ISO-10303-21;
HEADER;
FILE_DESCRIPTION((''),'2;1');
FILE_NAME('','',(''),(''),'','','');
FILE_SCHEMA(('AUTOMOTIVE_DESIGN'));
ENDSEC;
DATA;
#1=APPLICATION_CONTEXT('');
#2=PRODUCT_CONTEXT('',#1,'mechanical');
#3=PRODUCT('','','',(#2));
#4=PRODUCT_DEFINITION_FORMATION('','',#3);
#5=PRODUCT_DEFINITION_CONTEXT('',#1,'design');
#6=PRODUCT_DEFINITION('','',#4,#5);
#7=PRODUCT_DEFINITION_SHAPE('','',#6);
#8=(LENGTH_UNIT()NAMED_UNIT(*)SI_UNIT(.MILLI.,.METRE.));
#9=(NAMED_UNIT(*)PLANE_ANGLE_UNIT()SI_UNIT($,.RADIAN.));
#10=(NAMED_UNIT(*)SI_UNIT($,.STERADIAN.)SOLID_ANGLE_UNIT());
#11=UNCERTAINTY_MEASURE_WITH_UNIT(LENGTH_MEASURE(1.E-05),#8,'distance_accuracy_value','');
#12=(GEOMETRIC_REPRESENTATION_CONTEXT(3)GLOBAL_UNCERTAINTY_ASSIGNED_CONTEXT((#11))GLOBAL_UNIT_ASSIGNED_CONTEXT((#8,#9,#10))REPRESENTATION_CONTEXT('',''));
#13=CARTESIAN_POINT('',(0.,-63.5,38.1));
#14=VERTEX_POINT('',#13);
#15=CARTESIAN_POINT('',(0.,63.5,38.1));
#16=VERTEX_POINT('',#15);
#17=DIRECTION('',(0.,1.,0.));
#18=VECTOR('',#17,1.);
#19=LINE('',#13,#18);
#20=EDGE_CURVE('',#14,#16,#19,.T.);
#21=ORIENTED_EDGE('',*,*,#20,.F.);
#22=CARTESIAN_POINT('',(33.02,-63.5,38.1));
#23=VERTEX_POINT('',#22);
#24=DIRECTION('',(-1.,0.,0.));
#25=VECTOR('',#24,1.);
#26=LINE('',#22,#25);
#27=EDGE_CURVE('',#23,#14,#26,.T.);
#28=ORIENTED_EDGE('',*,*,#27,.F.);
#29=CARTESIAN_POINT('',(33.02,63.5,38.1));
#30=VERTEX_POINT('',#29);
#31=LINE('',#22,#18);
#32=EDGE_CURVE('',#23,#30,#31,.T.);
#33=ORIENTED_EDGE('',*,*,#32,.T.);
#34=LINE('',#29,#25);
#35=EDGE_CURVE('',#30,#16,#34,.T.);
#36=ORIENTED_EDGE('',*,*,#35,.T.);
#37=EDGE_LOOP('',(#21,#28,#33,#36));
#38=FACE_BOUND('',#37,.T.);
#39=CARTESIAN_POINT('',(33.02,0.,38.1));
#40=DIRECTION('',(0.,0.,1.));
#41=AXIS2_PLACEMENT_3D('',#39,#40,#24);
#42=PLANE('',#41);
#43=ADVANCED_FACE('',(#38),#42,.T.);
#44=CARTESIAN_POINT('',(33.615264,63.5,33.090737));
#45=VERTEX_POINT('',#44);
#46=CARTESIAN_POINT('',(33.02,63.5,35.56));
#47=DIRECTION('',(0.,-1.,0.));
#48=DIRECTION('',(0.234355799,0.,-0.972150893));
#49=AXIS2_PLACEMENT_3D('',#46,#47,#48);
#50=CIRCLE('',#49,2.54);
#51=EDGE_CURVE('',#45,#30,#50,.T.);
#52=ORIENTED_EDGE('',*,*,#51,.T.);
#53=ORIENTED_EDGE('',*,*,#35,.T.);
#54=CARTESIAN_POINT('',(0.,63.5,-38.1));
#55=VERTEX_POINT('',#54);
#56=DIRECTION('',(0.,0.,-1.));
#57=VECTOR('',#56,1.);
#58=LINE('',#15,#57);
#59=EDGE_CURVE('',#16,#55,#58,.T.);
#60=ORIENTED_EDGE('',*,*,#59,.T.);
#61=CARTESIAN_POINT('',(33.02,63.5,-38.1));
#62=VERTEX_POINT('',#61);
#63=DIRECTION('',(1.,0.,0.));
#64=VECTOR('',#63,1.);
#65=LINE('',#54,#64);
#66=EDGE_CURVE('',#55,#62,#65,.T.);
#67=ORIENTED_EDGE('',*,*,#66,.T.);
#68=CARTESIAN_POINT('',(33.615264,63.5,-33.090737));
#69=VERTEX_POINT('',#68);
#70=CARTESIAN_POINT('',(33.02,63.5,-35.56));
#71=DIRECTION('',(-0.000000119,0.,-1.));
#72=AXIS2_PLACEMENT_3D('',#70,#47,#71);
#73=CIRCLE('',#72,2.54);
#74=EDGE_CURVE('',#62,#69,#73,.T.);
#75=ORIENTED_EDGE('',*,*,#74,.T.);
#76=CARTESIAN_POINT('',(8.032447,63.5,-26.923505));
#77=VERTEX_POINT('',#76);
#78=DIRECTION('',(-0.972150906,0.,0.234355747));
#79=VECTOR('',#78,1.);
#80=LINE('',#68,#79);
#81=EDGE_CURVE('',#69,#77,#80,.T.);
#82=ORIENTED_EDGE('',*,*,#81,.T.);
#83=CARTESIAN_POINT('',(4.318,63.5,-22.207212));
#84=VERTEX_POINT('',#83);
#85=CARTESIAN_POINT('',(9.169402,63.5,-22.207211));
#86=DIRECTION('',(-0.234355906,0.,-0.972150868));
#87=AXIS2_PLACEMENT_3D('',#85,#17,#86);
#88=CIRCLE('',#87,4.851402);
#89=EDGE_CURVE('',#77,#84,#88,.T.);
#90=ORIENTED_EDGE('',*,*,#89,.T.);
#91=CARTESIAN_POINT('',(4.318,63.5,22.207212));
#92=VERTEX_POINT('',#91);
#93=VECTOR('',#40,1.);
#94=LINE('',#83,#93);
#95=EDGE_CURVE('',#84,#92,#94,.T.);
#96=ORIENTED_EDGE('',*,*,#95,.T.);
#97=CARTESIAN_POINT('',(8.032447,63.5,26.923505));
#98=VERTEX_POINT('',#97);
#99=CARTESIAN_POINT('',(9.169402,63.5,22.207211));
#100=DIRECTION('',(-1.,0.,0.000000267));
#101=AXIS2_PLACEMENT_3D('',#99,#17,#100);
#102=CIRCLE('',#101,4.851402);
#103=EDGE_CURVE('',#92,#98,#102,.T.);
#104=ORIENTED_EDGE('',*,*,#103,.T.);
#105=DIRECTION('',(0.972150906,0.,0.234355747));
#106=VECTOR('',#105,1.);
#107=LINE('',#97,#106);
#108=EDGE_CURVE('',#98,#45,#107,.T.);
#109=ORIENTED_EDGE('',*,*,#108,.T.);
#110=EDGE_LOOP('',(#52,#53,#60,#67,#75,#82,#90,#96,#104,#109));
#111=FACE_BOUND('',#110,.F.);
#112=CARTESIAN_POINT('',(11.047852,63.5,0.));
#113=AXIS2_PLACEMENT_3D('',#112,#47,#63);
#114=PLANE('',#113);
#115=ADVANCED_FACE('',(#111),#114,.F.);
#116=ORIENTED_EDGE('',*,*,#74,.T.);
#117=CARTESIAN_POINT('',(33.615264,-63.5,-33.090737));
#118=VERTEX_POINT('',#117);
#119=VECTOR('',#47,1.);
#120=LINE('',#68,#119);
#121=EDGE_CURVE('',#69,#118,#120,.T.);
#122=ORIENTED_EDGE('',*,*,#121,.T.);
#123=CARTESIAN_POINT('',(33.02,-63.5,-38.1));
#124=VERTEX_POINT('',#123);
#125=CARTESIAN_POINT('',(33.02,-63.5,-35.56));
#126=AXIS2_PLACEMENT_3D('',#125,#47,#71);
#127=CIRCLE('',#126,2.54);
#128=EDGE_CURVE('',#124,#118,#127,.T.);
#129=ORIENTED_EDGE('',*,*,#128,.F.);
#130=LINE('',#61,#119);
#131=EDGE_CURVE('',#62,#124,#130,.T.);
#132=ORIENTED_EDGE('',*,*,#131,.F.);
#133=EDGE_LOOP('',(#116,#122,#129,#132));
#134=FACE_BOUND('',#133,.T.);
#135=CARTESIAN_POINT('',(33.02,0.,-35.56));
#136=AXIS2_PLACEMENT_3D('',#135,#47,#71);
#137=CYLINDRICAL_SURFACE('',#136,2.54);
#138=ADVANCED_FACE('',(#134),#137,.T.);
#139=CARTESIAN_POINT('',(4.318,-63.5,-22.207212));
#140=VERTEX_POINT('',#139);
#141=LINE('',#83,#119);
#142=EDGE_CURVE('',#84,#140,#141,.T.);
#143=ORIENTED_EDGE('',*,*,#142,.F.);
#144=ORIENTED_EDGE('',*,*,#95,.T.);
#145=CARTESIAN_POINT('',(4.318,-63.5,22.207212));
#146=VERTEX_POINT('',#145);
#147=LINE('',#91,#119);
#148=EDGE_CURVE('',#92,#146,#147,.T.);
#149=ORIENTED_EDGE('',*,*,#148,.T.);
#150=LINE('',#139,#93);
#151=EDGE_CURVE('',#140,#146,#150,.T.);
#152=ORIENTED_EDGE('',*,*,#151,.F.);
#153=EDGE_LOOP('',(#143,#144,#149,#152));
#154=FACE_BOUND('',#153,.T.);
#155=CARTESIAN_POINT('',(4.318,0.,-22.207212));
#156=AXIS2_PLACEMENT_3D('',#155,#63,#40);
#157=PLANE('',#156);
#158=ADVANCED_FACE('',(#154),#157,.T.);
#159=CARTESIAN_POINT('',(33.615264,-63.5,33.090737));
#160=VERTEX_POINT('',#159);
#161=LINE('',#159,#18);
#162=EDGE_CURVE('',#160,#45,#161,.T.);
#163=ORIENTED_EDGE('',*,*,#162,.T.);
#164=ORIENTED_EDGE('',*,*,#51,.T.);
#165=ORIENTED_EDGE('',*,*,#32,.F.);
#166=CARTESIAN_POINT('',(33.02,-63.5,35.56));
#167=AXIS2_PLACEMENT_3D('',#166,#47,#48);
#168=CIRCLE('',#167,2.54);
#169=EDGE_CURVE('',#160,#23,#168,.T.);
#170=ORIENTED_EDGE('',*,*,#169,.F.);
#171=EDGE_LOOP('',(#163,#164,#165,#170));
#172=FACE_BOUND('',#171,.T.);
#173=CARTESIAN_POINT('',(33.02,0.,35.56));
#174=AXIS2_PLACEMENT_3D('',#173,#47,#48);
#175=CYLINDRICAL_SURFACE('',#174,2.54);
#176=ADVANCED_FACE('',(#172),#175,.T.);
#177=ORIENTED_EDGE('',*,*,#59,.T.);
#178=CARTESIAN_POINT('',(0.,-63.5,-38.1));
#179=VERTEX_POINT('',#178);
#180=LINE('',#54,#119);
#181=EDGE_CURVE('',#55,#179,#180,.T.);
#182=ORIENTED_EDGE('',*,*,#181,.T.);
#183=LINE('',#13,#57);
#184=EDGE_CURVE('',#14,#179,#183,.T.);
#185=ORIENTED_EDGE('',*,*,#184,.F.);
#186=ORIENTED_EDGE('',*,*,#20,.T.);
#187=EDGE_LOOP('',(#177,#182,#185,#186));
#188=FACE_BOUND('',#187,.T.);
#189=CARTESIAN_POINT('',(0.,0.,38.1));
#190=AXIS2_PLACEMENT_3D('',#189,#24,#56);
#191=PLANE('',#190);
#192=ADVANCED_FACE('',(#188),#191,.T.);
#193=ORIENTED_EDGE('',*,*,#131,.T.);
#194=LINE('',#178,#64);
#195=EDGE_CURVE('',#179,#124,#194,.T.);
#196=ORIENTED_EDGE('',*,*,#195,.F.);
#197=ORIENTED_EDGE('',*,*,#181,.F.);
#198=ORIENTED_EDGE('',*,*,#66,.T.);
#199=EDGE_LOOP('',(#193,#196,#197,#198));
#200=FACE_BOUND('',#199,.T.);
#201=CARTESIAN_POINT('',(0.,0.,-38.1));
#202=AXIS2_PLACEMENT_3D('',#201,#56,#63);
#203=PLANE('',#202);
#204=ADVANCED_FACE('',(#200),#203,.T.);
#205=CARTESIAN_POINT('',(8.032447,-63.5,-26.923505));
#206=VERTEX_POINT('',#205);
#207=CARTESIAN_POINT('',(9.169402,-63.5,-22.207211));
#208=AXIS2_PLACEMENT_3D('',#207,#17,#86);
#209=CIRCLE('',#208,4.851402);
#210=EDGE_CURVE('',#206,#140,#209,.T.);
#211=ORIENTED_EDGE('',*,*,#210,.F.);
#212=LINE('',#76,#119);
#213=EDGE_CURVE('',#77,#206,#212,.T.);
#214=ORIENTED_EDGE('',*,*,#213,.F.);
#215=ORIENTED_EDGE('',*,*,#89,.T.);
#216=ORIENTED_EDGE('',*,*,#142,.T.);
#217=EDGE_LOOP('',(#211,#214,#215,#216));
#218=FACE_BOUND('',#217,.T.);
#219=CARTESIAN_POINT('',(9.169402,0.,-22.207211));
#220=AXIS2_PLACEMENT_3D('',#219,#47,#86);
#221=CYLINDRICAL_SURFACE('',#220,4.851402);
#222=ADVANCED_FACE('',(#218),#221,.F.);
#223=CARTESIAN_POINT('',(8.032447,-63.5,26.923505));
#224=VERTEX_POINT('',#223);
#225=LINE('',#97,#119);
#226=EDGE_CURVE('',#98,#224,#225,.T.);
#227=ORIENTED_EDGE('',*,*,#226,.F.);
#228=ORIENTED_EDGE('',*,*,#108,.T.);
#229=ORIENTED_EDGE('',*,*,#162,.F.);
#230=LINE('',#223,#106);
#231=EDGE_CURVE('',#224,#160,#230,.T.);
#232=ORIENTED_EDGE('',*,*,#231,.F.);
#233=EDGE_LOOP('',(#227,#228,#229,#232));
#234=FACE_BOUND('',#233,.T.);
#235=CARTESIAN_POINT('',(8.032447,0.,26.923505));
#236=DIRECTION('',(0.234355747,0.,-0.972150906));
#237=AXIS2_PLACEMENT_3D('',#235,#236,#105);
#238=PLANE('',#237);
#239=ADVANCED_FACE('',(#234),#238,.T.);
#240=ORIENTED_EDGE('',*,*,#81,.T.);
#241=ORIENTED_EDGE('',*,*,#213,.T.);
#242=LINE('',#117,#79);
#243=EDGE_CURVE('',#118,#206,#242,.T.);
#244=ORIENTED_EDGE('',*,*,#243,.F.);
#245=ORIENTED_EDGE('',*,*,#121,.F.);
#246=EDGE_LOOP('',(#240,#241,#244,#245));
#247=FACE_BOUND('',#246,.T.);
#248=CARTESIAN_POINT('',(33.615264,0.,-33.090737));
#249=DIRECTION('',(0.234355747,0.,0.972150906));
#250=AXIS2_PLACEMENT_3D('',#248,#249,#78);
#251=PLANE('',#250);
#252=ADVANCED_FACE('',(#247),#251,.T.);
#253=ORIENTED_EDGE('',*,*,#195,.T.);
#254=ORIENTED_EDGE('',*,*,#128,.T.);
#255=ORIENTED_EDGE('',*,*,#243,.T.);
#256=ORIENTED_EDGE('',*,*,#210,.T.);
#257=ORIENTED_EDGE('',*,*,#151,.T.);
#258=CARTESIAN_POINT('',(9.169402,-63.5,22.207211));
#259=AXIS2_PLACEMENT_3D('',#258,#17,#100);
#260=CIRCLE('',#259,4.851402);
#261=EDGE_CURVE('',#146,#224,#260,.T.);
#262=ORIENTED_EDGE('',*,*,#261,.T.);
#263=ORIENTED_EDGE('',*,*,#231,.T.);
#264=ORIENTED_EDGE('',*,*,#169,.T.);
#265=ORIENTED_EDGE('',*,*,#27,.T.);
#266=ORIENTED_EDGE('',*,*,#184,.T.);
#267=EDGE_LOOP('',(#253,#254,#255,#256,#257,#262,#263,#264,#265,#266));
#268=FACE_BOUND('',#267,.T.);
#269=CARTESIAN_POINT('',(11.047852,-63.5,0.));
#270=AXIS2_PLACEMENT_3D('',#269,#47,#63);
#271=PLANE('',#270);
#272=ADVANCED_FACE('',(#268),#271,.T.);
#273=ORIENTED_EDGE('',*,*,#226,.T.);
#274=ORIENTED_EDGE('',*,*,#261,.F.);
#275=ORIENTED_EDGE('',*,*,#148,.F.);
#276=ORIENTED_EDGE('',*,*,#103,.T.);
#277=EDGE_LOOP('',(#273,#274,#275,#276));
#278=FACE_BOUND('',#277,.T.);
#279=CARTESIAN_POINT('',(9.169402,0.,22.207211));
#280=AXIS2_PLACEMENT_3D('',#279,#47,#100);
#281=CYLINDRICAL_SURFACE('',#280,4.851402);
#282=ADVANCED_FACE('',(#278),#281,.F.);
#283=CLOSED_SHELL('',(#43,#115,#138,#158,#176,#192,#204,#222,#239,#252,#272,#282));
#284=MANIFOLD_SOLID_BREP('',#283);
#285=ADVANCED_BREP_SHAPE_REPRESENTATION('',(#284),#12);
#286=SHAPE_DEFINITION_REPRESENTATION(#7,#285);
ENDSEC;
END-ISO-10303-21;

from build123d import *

# Parameters (mm, degrees)
F1_DEPTH = 63.5


with BuildPart() as f1:
    # F0 (on Front) → F1 (new body, symmetric)
    with BuildSketch(Plane.XZ):
        with BuildLine():
            Line((0, 38.1), (0, 0))
            Line((0, 0), (0, -38.1))
            Line((0, -38.1), (33.02, -38.1))
            ThreePointArc((33.02, -38.1), (35.542254, -35.859726), (33.615264, -33.090737))
            Line((33.615264, -33.090737), (8.032447, -26.923505))
            ThreePointArc((8.032447, -26.923505), (5.358108, -25.2089), (4.318, -22.207212))
            Line((4.318, -22.207212), (4.318, 0))
            Line((4.318, 0), (4.318, 22.207212))
            ThreePointArc((4.318, 22.207212), (5.358108, 25.2089), (8.032447, 26.923505))
            Line((8.032447, 26.923505), (33.615264, 33.090737))
            ThreePointArc((33.615264, 33.090737), (35.542254, 35.859726), (33.02, 38.1))
            Line((33.02, 38.1), (0, 38.1))
        make_face()
    extrude(amount=F1_DEPTH, both=True)


solid = f1.part
